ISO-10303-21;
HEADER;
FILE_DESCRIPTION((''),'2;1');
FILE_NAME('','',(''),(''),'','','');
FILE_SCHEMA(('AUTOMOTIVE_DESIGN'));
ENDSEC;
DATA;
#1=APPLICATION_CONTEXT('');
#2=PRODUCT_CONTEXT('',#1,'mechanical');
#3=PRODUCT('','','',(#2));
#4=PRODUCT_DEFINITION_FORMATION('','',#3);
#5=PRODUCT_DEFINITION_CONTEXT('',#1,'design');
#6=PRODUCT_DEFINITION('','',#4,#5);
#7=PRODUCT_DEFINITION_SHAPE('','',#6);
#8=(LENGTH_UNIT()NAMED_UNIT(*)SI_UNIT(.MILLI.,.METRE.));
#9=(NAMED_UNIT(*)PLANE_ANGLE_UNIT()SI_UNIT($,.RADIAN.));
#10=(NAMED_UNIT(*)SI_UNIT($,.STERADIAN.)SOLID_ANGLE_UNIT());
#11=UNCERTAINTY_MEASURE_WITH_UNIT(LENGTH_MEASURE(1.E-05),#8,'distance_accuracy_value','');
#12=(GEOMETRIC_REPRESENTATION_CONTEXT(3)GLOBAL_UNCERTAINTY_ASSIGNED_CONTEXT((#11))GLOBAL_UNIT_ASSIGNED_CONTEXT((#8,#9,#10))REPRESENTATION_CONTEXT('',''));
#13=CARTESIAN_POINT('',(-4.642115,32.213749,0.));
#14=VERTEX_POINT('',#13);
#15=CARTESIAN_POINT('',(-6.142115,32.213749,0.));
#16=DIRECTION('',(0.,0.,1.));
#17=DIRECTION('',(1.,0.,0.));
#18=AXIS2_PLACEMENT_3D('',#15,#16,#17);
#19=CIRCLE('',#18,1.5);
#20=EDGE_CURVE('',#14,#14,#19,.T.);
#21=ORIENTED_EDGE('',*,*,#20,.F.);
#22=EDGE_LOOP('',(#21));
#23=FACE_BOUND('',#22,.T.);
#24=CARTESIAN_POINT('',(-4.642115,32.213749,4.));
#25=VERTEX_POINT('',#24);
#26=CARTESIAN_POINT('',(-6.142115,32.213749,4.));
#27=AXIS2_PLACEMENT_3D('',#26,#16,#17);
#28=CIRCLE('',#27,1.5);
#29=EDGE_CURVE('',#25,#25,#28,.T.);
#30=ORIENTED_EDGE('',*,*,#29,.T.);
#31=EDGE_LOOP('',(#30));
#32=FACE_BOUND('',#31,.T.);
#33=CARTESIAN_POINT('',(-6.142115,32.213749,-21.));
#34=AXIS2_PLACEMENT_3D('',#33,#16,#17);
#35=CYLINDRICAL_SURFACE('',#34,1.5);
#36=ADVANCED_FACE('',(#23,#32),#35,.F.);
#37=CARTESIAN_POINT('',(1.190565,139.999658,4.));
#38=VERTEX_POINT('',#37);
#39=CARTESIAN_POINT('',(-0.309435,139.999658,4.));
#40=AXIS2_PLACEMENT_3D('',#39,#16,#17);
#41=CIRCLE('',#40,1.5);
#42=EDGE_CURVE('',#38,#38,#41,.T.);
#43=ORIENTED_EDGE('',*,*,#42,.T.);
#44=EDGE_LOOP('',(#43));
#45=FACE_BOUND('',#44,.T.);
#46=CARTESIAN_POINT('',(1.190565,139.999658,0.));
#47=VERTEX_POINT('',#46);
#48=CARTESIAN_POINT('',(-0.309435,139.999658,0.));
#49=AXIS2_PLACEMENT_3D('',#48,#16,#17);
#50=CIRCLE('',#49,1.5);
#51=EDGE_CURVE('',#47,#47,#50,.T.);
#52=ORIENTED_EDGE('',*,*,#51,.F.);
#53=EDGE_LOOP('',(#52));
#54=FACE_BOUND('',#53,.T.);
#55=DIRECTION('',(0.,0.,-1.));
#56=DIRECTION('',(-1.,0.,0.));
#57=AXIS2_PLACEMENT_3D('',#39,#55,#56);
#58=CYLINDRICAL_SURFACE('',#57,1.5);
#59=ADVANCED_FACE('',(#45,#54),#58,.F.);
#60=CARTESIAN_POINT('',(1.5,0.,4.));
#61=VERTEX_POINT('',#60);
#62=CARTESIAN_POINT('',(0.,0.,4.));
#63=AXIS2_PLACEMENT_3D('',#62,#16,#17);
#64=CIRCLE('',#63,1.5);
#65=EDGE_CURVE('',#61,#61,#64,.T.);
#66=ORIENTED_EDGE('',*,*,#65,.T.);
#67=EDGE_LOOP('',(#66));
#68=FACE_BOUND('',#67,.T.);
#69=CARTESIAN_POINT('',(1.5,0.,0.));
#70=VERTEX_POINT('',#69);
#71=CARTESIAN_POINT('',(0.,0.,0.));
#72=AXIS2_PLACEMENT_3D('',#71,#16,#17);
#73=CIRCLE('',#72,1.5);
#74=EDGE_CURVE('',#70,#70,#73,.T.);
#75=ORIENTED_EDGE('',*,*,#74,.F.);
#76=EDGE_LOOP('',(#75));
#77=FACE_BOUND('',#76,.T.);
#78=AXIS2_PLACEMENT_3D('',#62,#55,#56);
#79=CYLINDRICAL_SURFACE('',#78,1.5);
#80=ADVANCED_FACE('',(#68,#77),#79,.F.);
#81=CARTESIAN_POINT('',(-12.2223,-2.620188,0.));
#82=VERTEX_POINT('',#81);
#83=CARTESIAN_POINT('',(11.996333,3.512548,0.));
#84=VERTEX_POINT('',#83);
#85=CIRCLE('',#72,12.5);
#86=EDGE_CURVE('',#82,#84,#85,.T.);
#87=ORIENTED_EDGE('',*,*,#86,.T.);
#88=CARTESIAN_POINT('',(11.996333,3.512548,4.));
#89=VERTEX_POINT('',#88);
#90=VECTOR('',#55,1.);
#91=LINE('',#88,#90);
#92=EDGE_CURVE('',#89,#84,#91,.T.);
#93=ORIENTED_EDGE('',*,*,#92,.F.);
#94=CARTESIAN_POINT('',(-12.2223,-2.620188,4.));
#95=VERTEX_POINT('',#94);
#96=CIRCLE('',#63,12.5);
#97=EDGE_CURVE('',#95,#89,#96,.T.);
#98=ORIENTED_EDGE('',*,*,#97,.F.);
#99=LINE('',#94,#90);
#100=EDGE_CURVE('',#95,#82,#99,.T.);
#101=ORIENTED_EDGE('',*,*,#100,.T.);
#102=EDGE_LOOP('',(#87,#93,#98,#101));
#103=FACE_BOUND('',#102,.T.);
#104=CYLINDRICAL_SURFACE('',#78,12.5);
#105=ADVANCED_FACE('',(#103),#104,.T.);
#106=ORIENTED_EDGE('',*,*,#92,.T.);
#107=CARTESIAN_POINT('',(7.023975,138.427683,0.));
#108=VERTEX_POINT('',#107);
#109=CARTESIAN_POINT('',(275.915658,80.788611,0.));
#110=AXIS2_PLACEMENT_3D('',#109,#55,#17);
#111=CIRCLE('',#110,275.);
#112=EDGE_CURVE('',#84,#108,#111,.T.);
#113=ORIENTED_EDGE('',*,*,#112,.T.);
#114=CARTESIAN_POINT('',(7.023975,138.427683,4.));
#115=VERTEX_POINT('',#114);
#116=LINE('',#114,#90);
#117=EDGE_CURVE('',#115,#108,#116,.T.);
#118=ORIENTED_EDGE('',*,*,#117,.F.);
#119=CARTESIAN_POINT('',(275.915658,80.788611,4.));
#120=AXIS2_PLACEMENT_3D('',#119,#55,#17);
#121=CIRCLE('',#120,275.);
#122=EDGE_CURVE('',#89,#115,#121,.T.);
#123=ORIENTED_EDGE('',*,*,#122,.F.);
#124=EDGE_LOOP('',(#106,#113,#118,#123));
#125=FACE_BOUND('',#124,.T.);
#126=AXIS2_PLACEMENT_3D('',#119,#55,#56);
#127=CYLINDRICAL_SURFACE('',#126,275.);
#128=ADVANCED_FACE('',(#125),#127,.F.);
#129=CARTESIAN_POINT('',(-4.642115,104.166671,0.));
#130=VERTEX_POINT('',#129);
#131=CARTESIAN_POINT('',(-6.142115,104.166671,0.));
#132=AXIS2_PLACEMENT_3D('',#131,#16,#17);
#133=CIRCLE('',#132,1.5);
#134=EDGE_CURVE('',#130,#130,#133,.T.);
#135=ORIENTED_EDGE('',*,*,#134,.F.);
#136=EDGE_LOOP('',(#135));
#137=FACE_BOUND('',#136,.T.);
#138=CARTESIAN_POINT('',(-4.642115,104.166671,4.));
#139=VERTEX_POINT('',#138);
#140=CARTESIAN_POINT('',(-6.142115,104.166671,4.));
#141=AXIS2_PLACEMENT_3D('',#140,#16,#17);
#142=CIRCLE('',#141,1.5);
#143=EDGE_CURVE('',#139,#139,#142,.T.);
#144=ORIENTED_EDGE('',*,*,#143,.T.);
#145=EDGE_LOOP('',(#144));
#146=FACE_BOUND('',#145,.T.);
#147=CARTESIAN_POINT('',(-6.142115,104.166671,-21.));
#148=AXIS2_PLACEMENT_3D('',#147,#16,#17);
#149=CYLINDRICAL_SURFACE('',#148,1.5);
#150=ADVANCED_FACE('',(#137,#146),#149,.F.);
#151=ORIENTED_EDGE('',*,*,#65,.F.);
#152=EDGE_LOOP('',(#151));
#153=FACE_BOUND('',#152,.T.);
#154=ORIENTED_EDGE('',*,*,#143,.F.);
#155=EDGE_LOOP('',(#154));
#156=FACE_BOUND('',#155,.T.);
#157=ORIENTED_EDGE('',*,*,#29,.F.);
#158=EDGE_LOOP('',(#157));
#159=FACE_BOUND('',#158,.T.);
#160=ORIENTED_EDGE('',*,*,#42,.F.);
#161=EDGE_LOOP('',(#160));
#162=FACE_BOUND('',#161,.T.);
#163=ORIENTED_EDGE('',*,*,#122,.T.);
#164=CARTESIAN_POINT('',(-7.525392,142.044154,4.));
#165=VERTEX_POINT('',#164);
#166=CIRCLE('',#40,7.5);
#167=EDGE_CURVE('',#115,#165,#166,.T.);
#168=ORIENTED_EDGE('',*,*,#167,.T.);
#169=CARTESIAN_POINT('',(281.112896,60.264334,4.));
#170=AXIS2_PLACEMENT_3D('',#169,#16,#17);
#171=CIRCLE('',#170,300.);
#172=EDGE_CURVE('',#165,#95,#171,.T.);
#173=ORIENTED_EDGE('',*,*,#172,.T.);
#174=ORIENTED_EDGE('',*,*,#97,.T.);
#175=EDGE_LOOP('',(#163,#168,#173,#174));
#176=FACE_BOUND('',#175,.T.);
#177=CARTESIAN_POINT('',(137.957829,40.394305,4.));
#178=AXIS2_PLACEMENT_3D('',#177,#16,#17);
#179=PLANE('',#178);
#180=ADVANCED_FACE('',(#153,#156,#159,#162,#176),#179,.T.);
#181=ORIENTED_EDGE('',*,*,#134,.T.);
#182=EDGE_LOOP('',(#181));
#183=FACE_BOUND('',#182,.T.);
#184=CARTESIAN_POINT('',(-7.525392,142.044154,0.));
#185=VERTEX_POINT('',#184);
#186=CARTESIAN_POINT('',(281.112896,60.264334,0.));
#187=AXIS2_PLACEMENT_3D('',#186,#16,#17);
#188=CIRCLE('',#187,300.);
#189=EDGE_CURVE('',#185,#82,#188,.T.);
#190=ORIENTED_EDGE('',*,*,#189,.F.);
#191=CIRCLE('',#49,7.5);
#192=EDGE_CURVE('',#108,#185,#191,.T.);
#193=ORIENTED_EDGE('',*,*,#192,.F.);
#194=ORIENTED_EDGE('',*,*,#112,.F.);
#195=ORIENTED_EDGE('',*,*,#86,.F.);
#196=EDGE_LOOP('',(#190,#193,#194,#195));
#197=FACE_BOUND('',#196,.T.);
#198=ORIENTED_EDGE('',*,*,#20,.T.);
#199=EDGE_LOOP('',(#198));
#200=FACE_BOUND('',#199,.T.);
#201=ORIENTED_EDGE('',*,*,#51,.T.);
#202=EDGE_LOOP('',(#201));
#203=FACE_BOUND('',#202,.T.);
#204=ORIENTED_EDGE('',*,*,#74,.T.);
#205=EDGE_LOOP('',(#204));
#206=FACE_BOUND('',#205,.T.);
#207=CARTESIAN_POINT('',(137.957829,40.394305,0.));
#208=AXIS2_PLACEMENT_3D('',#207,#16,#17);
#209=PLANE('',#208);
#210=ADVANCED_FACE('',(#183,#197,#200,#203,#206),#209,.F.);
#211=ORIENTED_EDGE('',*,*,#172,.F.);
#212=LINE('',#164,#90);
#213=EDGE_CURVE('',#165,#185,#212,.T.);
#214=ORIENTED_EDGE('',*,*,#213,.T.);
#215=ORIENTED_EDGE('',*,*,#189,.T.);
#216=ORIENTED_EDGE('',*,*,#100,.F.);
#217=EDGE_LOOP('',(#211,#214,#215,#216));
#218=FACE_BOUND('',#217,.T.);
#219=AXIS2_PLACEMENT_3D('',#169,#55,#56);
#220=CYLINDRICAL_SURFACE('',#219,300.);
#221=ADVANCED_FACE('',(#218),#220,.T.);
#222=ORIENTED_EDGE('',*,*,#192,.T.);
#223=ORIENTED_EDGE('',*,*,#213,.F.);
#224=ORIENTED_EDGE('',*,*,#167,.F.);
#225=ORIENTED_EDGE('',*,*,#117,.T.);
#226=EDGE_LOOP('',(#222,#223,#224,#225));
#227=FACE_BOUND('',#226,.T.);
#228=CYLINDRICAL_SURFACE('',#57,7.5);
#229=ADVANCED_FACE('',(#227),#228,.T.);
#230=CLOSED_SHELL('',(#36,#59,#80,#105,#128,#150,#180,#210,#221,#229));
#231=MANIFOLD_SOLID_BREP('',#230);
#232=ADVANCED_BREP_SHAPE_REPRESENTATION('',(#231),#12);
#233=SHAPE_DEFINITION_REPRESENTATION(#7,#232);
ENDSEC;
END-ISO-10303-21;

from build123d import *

# Parameters (mm, degrees)
SCHIZZO1_R                   = 1.5
ESTRUSIONE_ESTRUSIONE1_DEPTH = 4
SCHIZZO2_R                   = 1.5
TAGLIO_ESTRUSIONE1_DEPTH     = 25


with BuildPart() as part:
    # Schizzo1 → Estrusione-Estrusione1 (new body)
    with BuildSketch(Plane.XY):
        with BuildLine():
            ThreePointArc((7.023974797, 138.427683332), (1.499753731, 147.278176914), (-7.525391936, 142.044153534))
            ThreePointArc((-7.525391936, 142.044153534), (-18.729107246, 69.99949188), (-12.22229981, -2.620188418))
            ThreePointArc((-12.22229981, -2.620188418), (3.068449146, -12.117533571), (11.996332959, 3.512548298))
            ThreePointArc((11.996332959, 3.512548298), (1.102237583, 70.660238267), (7.023974797, 138.427683332))
        make_face()
        Circle(SCHIZZO1_R, mode=Mode.SUBTRACT)
        with Locations((-0.309434746, 139.999658036)):
            Circle(SCHIZZO1_R, mode=Mode.SUBTRACT)
    extrude(amount=ESTRUSIONE_ESTRUSIONE1_DEPTH)

    # Schizzo2 → Taglio-Estrusione1 (cut)
    with BuildSketch(Plane.XY.offset(4)):
        with Locations((-6.142115432, 104.166670735)):
            Circle(SCHIZZO2_R)
        with Locations((-6.142115432, 32.213749463)):
            Circle(SCHIZZO2_R)
    extrude(amount=-TAGLIO_ESTRUSIONE1_DEPTH, mode=Mode.SUBTRACT)


solid = part.part
